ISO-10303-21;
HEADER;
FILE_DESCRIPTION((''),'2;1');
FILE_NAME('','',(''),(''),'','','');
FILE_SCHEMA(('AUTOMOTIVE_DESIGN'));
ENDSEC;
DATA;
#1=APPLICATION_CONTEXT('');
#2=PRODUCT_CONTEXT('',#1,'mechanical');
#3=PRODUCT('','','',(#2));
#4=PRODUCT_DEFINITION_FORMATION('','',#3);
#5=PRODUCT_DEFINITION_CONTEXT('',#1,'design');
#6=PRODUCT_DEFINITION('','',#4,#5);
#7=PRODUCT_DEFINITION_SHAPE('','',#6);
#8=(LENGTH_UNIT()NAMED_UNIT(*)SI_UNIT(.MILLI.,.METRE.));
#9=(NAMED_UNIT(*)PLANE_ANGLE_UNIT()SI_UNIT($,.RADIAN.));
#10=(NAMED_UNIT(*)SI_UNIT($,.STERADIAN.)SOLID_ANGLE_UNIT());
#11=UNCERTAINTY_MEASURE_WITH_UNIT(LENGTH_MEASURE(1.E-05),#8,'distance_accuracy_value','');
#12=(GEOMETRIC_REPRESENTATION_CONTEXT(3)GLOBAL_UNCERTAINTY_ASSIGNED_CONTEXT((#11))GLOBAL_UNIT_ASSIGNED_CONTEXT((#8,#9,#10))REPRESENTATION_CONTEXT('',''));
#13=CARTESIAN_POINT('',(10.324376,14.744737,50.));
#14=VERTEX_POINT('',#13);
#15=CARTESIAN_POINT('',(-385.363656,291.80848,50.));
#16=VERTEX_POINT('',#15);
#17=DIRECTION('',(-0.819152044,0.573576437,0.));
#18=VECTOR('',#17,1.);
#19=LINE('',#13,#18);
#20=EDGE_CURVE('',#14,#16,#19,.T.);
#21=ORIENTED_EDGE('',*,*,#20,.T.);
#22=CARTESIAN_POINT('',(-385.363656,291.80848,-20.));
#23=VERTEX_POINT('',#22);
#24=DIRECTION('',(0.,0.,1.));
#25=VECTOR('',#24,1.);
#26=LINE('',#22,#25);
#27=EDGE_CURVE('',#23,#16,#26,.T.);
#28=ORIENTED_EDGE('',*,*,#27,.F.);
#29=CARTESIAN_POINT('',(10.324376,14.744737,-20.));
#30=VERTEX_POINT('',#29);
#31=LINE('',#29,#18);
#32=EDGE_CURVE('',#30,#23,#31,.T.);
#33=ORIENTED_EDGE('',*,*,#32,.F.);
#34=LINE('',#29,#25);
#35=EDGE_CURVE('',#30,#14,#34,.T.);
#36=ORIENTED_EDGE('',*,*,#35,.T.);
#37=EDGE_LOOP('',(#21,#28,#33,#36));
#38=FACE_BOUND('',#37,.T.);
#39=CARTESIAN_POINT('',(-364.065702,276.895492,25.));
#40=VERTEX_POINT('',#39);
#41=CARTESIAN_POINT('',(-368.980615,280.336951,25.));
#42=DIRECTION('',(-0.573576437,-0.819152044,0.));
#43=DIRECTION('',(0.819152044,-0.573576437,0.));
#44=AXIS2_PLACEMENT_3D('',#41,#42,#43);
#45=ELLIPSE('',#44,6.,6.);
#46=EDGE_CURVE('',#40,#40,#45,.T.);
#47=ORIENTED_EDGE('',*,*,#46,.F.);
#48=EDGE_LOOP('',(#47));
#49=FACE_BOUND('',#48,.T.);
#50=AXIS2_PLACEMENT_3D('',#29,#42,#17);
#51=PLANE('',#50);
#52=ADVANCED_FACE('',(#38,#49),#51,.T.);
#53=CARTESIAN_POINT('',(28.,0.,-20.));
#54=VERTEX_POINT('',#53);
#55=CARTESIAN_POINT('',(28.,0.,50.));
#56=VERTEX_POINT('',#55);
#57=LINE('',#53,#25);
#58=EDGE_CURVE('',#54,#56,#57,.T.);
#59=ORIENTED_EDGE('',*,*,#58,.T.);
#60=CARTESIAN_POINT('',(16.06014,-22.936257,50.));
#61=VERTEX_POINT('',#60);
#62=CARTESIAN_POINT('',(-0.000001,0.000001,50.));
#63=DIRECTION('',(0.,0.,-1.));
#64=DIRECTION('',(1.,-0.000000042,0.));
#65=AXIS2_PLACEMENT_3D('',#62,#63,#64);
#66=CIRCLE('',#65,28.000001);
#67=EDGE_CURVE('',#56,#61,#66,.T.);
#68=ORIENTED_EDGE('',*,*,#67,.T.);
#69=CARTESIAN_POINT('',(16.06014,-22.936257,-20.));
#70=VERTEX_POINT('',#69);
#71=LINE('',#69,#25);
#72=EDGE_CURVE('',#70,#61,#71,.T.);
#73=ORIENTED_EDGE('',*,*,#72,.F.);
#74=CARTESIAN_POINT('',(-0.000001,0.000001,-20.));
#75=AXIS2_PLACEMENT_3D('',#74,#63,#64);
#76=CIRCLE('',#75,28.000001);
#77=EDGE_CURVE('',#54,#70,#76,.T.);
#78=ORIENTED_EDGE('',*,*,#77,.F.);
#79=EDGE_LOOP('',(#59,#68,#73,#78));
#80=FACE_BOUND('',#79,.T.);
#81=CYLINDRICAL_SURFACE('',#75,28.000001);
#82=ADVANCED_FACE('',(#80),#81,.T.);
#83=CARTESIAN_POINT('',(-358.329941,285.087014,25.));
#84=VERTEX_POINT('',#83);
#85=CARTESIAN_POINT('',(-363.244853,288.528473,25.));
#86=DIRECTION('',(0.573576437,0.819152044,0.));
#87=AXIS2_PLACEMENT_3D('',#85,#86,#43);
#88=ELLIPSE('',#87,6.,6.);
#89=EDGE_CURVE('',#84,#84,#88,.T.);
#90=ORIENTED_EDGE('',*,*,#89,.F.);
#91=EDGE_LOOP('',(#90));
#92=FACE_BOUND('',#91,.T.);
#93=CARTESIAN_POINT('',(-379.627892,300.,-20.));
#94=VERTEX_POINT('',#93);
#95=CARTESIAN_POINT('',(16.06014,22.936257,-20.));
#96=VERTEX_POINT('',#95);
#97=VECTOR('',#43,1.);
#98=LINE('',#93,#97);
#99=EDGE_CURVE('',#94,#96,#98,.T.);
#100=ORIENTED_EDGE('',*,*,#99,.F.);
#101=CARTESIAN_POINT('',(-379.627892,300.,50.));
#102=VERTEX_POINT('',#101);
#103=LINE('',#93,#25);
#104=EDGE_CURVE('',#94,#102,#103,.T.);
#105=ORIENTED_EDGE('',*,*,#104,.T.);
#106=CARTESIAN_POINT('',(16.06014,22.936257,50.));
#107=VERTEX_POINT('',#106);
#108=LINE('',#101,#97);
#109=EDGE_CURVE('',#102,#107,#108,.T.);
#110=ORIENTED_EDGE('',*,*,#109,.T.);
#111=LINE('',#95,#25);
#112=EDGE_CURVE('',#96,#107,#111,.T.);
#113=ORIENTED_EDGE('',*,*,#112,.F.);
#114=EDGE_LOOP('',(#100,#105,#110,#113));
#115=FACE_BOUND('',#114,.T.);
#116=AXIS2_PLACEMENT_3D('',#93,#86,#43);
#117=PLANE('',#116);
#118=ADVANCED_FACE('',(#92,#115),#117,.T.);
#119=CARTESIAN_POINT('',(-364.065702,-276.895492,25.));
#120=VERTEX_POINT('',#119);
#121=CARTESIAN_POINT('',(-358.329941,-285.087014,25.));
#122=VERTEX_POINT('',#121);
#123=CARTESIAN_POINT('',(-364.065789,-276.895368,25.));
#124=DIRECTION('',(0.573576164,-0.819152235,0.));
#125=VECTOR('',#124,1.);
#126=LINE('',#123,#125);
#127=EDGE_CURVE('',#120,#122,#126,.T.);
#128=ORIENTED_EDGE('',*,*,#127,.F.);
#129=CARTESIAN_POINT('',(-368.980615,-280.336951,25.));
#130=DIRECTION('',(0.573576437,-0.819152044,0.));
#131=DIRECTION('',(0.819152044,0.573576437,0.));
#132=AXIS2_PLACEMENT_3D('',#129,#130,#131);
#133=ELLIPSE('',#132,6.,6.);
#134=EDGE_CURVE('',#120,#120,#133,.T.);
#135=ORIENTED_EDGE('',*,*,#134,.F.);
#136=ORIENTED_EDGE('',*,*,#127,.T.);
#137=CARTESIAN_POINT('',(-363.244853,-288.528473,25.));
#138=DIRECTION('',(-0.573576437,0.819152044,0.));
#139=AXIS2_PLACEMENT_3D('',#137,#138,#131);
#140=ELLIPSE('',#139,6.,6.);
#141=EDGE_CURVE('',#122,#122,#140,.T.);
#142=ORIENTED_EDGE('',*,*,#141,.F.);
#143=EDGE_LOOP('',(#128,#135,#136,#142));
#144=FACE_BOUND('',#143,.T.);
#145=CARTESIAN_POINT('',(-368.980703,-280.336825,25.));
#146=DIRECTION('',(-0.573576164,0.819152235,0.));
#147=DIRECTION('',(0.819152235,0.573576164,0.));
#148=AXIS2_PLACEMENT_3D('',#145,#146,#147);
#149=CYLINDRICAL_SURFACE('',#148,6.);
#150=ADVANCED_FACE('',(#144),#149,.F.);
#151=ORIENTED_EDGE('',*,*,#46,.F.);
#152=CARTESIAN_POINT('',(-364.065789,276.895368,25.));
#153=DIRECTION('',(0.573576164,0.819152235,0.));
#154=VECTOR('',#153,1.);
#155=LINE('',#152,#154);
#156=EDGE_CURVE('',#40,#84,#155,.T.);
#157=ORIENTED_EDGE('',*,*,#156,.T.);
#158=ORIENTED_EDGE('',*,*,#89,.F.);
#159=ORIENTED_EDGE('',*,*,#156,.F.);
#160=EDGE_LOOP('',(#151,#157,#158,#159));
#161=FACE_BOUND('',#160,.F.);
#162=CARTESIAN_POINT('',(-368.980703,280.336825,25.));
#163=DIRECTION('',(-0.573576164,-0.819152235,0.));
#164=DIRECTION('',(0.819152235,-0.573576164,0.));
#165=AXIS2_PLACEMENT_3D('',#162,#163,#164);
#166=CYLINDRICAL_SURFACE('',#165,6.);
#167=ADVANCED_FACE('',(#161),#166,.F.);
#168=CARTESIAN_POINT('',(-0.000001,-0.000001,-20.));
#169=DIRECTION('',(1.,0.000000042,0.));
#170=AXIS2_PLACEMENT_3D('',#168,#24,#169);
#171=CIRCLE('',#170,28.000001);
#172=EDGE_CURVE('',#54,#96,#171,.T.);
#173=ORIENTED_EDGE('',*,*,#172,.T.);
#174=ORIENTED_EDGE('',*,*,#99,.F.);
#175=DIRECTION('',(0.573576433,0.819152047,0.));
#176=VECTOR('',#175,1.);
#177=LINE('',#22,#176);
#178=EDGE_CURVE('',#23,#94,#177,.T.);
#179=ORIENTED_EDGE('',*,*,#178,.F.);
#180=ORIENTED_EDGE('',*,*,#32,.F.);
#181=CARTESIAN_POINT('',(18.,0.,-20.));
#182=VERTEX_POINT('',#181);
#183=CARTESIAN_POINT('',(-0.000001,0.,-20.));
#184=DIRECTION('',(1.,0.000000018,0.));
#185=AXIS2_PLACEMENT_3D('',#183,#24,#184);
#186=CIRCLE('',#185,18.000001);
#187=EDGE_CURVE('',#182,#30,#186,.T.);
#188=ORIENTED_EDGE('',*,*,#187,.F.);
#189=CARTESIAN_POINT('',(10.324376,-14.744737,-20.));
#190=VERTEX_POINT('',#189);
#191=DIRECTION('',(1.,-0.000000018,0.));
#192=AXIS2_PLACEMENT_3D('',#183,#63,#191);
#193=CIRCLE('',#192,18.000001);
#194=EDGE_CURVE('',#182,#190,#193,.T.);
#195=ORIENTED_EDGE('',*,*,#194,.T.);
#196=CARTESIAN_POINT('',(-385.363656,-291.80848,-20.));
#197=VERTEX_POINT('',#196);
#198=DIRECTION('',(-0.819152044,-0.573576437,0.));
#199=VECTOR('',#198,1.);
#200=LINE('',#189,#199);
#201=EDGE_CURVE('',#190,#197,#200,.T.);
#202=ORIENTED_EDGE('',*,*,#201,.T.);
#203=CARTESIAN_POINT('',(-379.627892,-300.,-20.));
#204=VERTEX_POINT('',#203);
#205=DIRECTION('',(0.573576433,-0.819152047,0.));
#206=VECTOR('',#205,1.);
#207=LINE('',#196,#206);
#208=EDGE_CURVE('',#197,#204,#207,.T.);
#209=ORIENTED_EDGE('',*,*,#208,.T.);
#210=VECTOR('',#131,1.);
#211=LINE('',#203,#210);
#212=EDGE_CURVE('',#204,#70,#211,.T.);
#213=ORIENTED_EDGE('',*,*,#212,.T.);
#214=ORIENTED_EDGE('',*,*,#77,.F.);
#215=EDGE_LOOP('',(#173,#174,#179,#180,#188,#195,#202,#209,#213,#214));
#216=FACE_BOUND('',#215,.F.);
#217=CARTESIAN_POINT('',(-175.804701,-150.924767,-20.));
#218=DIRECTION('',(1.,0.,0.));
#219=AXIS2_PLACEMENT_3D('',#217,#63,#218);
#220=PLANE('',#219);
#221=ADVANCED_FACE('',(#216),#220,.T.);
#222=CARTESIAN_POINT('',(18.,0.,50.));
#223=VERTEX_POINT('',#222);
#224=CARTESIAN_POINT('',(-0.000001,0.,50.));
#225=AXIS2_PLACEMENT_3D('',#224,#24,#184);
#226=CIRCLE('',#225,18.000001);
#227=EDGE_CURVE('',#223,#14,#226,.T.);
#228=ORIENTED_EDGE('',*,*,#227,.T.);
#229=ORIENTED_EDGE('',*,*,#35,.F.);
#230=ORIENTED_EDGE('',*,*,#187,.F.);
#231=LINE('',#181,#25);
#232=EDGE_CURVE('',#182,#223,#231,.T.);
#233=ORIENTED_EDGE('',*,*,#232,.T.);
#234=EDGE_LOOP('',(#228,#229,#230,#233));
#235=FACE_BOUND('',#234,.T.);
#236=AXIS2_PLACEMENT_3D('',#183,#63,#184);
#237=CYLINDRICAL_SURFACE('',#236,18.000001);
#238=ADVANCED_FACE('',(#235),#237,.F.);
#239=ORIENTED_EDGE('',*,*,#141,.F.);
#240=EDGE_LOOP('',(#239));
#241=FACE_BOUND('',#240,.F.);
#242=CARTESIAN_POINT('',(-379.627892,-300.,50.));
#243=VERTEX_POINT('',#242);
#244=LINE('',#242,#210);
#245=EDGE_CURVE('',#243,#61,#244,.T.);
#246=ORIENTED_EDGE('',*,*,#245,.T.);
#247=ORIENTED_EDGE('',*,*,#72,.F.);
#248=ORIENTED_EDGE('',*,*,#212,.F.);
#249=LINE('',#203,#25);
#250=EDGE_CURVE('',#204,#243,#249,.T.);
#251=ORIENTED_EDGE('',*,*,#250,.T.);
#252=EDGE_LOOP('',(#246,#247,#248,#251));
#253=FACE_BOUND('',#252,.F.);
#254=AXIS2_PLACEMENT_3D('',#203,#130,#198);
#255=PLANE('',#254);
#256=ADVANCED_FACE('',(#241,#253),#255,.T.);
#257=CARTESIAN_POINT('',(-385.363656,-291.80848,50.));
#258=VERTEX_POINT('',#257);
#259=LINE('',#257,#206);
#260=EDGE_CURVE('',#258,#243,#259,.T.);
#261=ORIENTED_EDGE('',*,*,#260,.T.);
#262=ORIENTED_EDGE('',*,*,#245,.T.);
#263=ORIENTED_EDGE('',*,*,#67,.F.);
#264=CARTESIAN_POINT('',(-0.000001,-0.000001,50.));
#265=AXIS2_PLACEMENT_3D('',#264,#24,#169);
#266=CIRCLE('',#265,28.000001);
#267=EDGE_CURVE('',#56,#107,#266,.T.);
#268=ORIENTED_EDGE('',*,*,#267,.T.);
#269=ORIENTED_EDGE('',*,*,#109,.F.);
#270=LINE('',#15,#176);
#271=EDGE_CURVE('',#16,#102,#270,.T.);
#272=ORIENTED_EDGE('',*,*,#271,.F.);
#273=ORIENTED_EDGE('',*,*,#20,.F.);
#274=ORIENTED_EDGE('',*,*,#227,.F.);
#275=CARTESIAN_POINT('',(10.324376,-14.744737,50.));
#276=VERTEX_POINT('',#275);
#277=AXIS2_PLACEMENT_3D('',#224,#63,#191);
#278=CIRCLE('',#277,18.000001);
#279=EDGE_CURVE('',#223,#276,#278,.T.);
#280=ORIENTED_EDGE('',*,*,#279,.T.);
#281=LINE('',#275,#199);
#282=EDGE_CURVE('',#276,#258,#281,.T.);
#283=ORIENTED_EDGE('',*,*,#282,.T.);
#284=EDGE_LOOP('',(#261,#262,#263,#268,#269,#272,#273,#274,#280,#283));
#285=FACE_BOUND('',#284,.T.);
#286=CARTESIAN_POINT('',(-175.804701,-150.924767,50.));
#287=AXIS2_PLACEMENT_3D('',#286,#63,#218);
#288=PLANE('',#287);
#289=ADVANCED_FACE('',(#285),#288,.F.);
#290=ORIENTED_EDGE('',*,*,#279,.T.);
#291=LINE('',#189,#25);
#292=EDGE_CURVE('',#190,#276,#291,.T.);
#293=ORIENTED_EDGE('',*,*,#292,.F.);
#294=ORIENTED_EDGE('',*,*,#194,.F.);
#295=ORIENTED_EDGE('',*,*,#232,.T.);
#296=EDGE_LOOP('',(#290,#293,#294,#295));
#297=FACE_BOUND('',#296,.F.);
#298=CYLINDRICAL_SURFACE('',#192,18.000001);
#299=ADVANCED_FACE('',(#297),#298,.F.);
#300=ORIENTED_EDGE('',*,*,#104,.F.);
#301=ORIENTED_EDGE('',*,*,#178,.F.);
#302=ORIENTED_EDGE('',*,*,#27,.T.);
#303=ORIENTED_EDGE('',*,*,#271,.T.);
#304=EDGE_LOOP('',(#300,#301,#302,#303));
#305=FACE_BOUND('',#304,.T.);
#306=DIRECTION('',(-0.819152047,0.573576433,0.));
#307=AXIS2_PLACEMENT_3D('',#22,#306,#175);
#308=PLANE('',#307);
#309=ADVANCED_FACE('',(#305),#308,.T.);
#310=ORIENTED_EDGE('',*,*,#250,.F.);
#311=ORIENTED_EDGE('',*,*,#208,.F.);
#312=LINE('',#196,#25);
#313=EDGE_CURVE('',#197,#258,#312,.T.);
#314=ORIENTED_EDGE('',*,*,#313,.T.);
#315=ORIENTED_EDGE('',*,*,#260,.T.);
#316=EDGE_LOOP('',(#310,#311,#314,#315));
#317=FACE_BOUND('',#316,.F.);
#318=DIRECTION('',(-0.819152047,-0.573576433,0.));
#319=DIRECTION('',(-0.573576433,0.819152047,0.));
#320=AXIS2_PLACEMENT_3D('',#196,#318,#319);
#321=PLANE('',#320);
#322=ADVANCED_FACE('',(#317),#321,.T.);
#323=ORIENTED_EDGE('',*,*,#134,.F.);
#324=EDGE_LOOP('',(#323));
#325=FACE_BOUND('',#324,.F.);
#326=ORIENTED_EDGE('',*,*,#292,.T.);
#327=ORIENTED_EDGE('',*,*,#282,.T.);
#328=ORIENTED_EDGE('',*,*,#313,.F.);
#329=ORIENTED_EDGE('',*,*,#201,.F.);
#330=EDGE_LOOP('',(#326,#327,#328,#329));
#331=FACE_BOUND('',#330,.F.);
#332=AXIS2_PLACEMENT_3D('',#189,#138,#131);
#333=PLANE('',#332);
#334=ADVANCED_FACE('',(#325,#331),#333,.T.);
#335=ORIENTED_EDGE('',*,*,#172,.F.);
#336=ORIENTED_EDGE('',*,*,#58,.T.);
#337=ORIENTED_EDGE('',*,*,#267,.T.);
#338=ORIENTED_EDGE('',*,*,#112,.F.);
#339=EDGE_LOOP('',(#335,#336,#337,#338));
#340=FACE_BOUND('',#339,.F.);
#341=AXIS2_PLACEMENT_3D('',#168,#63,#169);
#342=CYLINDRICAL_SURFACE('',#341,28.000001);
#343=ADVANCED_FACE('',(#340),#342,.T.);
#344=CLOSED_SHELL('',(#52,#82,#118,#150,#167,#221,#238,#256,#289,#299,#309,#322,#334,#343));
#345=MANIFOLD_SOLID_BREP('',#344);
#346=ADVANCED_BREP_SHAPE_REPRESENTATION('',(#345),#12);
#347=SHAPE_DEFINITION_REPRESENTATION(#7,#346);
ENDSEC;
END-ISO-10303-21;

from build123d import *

# Parameters (mm, degrees)
PAD002_DEPTH           = 70
SKETCH006_R            = 6
POCKET002_DEPTH        = 30
SKETCH007_R            = 6
POCKET003_DEPTH        = 243.806754
LINEARPATTERN001_COUNT = 4
LINEARPATTERN001_PITCH = 130


with BuildPart() as part:
    # Sketch004 → Pad002 (new body)
    with BuildSketch(Plane.XY):
        with BuildLine():
            Line((-379.627892, 300), (16.06014, 22.936257))
            ThreePointArc((28, 0), (24.836303, 12.928961), (16.06014, 22.936257))
            Line((18, 0), (28, 0))
            ThreePointArc((18, 0), (15.966195, 8.311475), (10.324376, 14.744737))
            Line((10.324376, 14.744737), (-385.363656, 291.80848))
            Line((-385.363656, 291.80848), (-379.627892, 300))
        make_face()
    extrude(amount=PAD002_DEPTH)

    # Sketch006 → Pocket002 (cut)
    with BuildSketch(Plane(origin=(0, 126.75, 0), x_dir=(-1, 0, 0), z_dir=(0, 1, 0))):
        with Locations((26.740569, 25.24131)):
            Circle(SKETCH006_R)
    extrude(amount=-POCKET002_DEPTH, mode=Mode.SUBTRACT)

    # Sketch007 (on Face2 of Pocket002) → Pocket003 (cut, through all)
    with BuildSketch(Plane(origin=(10.324376, 14.744737, 0), x_dir=(0.819152, -0.573576, 0), z_dir=(-0.573576, -0.819152, 0))):
        with Locations((-463.045894, 45)):
            Circle(SKETCH007_R)
    pocket003 = extrude(amount=-POCKET003_DEPTH, mode=Mode.SUBTRACT)

    # LinearPattern001: Pocket003 ×4
    with Locations(*[Vector(-0.819152, 0.573576, 0) * (i * LINEARPATTERN001_PITCH) for i in range(1, LINEARPATTERN001_COUNT)]):
        add(pocket003, mode=Mode.SUBTRACT)

    # Mirrored001: part across XZ


with BuildPart() as part_1:
    add(part.part)
    add(part.part.mirror(Plane.XZ))


with BuildPart() as part_2:
    # Body001 placement: moved
    add(part_1.part.moved(Location((0, 0, -20))))


solid = part_2.part
